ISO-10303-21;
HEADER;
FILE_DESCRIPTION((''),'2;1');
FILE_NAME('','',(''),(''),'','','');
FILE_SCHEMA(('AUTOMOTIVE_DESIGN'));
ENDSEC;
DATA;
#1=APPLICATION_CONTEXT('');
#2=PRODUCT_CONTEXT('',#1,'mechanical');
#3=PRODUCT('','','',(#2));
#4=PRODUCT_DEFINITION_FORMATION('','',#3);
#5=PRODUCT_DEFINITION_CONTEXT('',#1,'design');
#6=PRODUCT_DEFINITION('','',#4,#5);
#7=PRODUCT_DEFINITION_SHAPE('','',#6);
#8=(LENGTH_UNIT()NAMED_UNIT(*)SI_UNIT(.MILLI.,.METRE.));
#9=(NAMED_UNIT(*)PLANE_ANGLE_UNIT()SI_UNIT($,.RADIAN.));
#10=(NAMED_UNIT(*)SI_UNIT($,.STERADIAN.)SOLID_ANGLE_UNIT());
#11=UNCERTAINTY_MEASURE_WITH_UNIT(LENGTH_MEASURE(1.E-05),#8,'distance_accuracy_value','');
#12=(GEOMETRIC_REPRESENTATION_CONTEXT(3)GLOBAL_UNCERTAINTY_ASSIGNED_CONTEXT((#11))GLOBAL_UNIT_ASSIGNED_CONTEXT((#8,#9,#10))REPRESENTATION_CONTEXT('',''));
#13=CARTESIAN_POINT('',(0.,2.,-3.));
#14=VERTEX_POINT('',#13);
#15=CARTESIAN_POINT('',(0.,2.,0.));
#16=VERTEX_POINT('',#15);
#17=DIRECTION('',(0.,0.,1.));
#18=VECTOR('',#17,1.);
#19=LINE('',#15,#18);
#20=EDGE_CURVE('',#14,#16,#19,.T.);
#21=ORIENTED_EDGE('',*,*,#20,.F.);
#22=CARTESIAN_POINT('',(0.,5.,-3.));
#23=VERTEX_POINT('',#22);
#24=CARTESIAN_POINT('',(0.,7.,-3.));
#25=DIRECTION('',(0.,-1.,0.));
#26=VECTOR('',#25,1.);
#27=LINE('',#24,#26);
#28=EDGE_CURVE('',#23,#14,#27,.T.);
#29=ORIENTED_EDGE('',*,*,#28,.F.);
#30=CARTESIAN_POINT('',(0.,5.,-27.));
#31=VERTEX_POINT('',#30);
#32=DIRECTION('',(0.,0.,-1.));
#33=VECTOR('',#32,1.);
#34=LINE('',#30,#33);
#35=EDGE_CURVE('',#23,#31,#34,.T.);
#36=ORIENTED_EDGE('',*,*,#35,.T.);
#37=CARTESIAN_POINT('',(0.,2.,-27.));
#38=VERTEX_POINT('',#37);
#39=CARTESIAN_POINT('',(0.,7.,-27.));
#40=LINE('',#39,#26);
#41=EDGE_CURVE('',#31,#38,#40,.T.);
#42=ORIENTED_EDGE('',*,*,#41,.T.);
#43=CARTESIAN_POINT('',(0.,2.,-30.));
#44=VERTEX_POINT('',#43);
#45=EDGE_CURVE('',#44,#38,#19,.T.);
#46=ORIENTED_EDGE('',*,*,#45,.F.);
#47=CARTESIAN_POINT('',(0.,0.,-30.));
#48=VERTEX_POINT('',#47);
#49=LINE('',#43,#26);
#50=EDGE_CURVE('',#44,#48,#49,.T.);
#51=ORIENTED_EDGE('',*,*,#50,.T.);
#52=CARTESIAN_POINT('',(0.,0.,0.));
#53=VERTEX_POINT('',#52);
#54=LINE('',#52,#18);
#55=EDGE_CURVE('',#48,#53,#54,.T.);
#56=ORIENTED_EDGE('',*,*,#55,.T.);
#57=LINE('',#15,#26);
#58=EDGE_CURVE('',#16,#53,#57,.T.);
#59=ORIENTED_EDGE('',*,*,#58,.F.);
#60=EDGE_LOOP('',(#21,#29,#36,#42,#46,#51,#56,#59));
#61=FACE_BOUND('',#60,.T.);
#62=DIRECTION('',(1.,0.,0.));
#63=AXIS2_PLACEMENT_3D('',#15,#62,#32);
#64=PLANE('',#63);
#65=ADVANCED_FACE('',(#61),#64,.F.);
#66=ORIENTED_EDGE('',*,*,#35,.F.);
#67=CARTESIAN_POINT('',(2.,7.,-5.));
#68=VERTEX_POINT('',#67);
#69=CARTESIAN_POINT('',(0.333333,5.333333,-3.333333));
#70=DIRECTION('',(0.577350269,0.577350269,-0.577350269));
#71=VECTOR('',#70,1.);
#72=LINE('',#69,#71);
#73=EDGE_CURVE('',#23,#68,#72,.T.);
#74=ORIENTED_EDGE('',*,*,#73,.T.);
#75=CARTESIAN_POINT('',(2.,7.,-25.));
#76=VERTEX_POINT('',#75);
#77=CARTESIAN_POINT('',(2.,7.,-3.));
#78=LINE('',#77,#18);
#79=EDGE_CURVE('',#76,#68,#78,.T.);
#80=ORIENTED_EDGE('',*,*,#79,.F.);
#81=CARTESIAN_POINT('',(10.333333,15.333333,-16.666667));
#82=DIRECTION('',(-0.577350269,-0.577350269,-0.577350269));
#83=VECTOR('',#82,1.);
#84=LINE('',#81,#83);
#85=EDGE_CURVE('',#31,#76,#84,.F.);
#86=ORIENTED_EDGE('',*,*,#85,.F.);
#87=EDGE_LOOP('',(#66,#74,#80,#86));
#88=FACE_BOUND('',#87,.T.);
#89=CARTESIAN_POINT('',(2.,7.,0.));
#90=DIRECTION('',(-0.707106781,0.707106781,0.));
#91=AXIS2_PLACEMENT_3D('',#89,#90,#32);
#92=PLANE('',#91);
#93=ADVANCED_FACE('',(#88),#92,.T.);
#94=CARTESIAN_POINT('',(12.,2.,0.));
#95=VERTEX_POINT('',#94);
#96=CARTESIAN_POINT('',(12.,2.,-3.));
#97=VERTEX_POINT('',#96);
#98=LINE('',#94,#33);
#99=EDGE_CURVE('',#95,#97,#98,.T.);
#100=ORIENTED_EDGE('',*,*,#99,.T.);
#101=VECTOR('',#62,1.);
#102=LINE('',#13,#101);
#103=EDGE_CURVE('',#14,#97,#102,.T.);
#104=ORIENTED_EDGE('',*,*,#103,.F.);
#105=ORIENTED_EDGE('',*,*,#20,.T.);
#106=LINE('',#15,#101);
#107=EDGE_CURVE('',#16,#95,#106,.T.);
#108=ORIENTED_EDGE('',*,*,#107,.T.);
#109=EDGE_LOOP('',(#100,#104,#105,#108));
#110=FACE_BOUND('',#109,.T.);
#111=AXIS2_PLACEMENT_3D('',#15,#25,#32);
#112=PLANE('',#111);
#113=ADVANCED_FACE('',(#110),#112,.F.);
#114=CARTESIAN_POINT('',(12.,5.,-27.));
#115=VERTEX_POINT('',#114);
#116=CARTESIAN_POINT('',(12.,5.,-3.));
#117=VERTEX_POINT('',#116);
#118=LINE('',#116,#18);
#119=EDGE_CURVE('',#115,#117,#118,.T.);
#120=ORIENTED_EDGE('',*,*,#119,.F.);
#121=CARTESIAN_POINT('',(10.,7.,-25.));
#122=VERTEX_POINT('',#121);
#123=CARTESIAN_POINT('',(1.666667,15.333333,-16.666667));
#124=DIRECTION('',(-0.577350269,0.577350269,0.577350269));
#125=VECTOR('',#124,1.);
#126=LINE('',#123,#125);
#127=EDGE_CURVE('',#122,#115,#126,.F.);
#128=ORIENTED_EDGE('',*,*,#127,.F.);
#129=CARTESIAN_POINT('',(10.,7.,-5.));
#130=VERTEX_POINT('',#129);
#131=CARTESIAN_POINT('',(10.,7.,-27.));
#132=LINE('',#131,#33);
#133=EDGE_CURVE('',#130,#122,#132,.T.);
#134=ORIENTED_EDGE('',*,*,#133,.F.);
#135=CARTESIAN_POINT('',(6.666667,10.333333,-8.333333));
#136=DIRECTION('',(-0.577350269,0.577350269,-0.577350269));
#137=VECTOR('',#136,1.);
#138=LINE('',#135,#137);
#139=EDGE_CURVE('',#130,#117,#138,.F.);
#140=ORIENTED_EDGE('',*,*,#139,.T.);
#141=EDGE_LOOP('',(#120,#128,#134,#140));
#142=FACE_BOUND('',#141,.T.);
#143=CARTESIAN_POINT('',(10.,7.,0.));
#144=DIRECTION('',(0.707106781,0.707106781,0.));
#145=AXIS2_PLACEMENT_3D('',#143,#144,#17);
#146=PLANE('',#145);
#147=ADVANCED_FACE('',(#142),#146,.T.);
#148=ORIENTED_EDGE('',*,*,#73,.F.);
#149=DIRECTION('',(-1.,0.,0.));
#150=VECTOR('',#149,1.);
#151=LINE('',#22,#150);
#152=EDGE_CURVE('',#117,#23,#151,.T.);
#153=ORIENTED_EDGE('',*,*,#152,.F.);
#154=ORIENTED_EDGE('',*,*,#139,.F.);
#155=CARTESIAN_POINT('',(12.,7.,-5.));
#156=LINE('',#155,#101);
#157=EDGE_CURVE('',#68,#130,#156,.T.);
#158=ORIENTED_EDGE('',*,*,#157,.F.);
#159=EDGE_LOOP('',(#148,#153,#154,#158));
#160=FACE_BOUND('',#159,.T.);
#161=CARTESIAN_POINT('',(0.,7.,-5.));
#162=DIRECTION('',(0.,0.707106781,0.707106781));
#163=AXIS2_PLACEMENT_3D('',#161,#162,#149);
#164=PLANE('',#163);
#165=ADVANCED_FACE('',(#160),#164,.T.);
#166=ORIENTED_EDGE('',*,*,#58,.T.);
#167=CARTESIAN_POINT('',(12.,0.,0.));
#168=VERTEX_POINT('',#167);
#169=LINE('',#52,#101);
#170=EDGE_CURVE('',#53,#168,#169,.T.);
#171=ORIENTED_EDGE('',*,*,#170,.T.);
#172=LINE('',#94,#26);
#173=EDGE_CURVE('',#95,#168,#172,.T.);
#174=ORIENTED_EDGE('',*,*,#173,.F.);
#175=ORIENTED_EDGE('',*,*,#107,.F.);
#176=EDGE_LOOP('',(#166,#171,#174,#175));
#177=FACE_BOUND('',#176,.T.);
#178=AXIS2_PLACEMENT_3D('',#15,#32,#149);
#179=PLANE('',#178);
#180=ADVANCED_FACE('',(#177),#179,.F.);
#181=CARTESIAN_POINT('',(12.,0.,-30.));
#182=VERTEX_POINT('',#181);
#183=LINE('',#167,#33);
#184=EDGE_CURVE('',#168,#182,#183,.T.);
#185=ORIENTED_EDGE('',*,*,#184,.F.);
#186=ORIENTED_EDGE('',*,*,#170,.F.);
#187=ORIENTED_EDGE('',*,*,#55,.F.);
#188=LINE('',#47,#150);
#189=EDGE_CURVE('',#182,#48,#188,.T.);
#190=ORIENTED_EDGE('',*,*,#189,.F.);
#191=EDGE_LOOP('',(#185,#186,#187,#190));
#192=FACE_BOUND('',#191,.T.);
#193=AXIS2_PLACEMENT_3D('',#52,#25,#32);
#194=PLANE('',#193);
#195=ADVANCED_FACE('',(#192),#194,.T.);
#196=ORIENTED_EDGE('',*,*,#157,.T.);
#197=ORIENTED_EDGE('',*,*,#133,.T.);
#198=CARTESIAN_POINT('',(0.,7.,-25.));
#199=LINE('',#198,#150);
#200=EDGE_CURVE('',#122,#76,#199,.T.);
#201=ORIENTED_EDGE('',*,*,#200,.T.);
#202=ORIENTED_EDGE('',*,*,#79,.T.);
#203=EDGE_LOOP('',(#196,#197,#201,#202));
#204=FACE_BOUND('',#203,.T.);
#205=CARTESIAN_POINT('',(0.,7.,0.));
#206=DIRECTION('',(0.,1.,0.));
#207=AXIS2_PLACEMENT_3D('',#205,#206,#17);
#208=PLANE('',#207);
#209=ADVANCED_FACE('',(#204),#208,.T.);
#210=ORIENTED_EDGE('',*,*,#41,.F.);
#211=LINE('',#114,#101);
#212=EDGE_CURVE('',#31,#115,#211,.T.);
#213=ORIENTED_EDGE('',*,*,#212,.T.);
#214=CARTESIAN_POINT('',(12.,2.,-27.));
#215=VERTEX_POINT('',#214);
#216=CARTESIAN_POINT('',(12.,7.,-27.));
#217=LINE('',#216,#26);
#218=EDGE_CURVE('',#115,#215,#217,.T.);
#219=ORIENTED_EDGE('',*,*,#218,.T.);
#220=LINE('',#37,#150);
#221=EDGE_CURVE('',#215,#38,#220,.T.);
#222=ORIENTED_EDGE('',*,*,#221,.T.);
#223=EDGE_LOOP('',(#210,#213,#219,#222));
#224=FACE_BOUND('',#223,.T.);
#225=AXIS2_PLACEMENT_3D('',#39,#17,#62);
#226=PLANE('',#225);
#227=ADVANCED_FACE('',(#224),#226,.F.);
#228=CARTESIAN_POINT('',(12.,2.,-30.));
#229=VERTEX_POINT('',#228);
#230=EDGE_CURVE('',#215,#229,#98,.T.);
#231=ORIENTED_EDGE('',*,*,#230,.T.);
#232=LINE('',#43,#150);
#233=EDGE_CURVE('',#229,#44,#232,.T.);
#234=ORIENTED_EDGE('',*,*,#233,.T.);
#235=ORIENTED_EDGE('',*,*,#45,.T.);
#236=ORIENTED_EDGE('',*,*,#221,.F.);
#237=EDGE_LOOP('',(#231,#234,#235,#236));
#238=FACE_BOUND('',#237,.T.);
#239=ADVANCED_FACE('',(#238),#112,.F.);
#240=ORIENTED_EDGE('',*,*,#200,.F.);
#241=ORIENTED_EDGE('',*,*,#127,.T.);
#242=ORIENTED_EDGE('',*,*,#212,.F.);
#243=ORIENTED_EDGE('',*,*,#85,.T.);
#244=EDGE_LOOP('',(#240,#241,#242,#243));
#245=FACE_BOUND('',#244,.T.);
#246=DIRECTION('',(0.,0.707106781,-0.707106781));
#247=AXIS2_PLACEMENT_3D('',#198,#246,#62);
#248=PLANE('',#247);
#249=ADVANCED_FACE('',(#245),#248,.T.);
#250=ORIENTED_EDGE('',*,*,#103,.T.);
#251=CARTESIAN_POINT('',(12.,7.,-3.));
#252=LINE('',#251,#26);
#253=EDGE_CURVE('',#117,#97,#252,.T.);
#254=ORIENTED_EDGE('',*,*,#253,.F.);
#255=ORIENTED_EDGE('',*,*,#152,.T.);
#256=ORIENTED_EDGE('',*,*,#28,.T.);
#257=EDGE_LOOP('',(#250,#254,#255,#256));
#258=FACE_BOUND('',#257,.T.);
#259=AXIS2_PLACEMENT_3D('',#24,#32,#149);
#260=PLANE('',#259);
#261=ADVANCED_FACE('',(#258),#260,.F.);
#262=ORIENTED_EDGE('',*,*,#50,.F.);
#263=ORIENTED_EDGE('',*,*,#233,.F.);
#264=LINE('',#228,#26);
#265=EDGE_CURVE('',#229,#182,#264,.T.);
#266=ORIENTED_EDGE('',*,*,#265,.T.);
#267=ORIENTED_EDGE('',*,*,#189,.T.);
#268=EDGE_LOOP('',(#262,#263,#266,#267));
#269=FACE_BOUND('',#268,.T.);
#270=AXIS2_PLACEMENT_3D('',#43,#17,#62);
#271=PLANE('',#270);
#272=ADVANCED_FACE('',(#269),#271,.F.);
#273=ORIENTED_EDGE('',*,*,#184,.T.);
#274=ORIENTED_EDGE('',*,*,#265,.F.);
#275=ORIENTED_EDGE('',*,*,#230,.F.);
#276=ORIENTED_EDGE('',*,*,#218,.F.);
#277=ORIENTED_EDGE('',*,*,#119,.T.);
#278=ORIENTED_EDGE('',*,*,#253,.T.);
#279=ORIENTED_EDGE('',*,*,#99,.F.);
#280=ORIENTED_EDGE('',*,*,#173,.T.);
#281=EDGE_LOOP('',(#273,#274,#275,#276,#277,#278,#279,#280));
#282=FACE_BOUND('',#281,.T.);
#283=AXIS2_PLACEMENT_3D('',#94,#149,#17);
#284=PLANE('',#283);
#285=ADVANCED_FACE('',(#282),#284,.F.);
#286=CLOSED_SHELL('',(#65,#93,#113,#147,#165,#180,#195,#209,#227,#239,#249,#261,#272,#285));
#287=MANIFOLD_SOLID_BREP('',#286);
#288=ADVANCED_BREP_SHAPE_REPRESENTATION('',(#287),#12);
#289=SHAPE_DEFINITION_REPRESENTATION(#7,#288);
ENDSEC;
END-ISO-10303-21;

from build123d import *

# Parameters (mm, degrees)
SKETCH1_W           = 12
SKETCH1_H           = 30
BOSS_EXTRUDE1_DEPTH = 2
SKETCH2_W           = 12
SKETCH2_H           = 24
BOSS_EXTRUDE2_DEPTH = 5
CHAMFER1_SIZE       = 2


with BuildPart() as part:
    # Sketch1 → Boss-Extrude1 (new body)
    with BuildSketch(Plane(origin=(0, 0, 0), x_dir=(1, 0, 0), z_dir=(0, 1, 0))):
        with Locations((6, 15)):
            Rectangle(SKETCH1_W, SKETCH1_H)
    extrude(amount=BOSS_EXTRUDE1_DEPTH)

    # Sketch2 → Boss-Extrude2 (add)
    with BuildSketch(Plane(origin=(0, 2, 0), x_dir=(1, 0, 0), z_dir=(0, 1, 0))):
        with Locations((6, 15)):
            Rectangle(SKETCH2_W, SKETCH2_H)
    extrude(amount=BOSS_EXTRUDE2_DEPTH)

    # Chamfer1
    chamfer1_edges = [part.edges().sort_by_distance(p)[0] for p in [
        (0, 7, -15),
        (6, 7, -3),
        (12, 7, -15),
        (6, 7, -27),
    ]]
    chamfer(chamfer1_edges, length=CHAMFER1_SIZE)


solid = part.part
